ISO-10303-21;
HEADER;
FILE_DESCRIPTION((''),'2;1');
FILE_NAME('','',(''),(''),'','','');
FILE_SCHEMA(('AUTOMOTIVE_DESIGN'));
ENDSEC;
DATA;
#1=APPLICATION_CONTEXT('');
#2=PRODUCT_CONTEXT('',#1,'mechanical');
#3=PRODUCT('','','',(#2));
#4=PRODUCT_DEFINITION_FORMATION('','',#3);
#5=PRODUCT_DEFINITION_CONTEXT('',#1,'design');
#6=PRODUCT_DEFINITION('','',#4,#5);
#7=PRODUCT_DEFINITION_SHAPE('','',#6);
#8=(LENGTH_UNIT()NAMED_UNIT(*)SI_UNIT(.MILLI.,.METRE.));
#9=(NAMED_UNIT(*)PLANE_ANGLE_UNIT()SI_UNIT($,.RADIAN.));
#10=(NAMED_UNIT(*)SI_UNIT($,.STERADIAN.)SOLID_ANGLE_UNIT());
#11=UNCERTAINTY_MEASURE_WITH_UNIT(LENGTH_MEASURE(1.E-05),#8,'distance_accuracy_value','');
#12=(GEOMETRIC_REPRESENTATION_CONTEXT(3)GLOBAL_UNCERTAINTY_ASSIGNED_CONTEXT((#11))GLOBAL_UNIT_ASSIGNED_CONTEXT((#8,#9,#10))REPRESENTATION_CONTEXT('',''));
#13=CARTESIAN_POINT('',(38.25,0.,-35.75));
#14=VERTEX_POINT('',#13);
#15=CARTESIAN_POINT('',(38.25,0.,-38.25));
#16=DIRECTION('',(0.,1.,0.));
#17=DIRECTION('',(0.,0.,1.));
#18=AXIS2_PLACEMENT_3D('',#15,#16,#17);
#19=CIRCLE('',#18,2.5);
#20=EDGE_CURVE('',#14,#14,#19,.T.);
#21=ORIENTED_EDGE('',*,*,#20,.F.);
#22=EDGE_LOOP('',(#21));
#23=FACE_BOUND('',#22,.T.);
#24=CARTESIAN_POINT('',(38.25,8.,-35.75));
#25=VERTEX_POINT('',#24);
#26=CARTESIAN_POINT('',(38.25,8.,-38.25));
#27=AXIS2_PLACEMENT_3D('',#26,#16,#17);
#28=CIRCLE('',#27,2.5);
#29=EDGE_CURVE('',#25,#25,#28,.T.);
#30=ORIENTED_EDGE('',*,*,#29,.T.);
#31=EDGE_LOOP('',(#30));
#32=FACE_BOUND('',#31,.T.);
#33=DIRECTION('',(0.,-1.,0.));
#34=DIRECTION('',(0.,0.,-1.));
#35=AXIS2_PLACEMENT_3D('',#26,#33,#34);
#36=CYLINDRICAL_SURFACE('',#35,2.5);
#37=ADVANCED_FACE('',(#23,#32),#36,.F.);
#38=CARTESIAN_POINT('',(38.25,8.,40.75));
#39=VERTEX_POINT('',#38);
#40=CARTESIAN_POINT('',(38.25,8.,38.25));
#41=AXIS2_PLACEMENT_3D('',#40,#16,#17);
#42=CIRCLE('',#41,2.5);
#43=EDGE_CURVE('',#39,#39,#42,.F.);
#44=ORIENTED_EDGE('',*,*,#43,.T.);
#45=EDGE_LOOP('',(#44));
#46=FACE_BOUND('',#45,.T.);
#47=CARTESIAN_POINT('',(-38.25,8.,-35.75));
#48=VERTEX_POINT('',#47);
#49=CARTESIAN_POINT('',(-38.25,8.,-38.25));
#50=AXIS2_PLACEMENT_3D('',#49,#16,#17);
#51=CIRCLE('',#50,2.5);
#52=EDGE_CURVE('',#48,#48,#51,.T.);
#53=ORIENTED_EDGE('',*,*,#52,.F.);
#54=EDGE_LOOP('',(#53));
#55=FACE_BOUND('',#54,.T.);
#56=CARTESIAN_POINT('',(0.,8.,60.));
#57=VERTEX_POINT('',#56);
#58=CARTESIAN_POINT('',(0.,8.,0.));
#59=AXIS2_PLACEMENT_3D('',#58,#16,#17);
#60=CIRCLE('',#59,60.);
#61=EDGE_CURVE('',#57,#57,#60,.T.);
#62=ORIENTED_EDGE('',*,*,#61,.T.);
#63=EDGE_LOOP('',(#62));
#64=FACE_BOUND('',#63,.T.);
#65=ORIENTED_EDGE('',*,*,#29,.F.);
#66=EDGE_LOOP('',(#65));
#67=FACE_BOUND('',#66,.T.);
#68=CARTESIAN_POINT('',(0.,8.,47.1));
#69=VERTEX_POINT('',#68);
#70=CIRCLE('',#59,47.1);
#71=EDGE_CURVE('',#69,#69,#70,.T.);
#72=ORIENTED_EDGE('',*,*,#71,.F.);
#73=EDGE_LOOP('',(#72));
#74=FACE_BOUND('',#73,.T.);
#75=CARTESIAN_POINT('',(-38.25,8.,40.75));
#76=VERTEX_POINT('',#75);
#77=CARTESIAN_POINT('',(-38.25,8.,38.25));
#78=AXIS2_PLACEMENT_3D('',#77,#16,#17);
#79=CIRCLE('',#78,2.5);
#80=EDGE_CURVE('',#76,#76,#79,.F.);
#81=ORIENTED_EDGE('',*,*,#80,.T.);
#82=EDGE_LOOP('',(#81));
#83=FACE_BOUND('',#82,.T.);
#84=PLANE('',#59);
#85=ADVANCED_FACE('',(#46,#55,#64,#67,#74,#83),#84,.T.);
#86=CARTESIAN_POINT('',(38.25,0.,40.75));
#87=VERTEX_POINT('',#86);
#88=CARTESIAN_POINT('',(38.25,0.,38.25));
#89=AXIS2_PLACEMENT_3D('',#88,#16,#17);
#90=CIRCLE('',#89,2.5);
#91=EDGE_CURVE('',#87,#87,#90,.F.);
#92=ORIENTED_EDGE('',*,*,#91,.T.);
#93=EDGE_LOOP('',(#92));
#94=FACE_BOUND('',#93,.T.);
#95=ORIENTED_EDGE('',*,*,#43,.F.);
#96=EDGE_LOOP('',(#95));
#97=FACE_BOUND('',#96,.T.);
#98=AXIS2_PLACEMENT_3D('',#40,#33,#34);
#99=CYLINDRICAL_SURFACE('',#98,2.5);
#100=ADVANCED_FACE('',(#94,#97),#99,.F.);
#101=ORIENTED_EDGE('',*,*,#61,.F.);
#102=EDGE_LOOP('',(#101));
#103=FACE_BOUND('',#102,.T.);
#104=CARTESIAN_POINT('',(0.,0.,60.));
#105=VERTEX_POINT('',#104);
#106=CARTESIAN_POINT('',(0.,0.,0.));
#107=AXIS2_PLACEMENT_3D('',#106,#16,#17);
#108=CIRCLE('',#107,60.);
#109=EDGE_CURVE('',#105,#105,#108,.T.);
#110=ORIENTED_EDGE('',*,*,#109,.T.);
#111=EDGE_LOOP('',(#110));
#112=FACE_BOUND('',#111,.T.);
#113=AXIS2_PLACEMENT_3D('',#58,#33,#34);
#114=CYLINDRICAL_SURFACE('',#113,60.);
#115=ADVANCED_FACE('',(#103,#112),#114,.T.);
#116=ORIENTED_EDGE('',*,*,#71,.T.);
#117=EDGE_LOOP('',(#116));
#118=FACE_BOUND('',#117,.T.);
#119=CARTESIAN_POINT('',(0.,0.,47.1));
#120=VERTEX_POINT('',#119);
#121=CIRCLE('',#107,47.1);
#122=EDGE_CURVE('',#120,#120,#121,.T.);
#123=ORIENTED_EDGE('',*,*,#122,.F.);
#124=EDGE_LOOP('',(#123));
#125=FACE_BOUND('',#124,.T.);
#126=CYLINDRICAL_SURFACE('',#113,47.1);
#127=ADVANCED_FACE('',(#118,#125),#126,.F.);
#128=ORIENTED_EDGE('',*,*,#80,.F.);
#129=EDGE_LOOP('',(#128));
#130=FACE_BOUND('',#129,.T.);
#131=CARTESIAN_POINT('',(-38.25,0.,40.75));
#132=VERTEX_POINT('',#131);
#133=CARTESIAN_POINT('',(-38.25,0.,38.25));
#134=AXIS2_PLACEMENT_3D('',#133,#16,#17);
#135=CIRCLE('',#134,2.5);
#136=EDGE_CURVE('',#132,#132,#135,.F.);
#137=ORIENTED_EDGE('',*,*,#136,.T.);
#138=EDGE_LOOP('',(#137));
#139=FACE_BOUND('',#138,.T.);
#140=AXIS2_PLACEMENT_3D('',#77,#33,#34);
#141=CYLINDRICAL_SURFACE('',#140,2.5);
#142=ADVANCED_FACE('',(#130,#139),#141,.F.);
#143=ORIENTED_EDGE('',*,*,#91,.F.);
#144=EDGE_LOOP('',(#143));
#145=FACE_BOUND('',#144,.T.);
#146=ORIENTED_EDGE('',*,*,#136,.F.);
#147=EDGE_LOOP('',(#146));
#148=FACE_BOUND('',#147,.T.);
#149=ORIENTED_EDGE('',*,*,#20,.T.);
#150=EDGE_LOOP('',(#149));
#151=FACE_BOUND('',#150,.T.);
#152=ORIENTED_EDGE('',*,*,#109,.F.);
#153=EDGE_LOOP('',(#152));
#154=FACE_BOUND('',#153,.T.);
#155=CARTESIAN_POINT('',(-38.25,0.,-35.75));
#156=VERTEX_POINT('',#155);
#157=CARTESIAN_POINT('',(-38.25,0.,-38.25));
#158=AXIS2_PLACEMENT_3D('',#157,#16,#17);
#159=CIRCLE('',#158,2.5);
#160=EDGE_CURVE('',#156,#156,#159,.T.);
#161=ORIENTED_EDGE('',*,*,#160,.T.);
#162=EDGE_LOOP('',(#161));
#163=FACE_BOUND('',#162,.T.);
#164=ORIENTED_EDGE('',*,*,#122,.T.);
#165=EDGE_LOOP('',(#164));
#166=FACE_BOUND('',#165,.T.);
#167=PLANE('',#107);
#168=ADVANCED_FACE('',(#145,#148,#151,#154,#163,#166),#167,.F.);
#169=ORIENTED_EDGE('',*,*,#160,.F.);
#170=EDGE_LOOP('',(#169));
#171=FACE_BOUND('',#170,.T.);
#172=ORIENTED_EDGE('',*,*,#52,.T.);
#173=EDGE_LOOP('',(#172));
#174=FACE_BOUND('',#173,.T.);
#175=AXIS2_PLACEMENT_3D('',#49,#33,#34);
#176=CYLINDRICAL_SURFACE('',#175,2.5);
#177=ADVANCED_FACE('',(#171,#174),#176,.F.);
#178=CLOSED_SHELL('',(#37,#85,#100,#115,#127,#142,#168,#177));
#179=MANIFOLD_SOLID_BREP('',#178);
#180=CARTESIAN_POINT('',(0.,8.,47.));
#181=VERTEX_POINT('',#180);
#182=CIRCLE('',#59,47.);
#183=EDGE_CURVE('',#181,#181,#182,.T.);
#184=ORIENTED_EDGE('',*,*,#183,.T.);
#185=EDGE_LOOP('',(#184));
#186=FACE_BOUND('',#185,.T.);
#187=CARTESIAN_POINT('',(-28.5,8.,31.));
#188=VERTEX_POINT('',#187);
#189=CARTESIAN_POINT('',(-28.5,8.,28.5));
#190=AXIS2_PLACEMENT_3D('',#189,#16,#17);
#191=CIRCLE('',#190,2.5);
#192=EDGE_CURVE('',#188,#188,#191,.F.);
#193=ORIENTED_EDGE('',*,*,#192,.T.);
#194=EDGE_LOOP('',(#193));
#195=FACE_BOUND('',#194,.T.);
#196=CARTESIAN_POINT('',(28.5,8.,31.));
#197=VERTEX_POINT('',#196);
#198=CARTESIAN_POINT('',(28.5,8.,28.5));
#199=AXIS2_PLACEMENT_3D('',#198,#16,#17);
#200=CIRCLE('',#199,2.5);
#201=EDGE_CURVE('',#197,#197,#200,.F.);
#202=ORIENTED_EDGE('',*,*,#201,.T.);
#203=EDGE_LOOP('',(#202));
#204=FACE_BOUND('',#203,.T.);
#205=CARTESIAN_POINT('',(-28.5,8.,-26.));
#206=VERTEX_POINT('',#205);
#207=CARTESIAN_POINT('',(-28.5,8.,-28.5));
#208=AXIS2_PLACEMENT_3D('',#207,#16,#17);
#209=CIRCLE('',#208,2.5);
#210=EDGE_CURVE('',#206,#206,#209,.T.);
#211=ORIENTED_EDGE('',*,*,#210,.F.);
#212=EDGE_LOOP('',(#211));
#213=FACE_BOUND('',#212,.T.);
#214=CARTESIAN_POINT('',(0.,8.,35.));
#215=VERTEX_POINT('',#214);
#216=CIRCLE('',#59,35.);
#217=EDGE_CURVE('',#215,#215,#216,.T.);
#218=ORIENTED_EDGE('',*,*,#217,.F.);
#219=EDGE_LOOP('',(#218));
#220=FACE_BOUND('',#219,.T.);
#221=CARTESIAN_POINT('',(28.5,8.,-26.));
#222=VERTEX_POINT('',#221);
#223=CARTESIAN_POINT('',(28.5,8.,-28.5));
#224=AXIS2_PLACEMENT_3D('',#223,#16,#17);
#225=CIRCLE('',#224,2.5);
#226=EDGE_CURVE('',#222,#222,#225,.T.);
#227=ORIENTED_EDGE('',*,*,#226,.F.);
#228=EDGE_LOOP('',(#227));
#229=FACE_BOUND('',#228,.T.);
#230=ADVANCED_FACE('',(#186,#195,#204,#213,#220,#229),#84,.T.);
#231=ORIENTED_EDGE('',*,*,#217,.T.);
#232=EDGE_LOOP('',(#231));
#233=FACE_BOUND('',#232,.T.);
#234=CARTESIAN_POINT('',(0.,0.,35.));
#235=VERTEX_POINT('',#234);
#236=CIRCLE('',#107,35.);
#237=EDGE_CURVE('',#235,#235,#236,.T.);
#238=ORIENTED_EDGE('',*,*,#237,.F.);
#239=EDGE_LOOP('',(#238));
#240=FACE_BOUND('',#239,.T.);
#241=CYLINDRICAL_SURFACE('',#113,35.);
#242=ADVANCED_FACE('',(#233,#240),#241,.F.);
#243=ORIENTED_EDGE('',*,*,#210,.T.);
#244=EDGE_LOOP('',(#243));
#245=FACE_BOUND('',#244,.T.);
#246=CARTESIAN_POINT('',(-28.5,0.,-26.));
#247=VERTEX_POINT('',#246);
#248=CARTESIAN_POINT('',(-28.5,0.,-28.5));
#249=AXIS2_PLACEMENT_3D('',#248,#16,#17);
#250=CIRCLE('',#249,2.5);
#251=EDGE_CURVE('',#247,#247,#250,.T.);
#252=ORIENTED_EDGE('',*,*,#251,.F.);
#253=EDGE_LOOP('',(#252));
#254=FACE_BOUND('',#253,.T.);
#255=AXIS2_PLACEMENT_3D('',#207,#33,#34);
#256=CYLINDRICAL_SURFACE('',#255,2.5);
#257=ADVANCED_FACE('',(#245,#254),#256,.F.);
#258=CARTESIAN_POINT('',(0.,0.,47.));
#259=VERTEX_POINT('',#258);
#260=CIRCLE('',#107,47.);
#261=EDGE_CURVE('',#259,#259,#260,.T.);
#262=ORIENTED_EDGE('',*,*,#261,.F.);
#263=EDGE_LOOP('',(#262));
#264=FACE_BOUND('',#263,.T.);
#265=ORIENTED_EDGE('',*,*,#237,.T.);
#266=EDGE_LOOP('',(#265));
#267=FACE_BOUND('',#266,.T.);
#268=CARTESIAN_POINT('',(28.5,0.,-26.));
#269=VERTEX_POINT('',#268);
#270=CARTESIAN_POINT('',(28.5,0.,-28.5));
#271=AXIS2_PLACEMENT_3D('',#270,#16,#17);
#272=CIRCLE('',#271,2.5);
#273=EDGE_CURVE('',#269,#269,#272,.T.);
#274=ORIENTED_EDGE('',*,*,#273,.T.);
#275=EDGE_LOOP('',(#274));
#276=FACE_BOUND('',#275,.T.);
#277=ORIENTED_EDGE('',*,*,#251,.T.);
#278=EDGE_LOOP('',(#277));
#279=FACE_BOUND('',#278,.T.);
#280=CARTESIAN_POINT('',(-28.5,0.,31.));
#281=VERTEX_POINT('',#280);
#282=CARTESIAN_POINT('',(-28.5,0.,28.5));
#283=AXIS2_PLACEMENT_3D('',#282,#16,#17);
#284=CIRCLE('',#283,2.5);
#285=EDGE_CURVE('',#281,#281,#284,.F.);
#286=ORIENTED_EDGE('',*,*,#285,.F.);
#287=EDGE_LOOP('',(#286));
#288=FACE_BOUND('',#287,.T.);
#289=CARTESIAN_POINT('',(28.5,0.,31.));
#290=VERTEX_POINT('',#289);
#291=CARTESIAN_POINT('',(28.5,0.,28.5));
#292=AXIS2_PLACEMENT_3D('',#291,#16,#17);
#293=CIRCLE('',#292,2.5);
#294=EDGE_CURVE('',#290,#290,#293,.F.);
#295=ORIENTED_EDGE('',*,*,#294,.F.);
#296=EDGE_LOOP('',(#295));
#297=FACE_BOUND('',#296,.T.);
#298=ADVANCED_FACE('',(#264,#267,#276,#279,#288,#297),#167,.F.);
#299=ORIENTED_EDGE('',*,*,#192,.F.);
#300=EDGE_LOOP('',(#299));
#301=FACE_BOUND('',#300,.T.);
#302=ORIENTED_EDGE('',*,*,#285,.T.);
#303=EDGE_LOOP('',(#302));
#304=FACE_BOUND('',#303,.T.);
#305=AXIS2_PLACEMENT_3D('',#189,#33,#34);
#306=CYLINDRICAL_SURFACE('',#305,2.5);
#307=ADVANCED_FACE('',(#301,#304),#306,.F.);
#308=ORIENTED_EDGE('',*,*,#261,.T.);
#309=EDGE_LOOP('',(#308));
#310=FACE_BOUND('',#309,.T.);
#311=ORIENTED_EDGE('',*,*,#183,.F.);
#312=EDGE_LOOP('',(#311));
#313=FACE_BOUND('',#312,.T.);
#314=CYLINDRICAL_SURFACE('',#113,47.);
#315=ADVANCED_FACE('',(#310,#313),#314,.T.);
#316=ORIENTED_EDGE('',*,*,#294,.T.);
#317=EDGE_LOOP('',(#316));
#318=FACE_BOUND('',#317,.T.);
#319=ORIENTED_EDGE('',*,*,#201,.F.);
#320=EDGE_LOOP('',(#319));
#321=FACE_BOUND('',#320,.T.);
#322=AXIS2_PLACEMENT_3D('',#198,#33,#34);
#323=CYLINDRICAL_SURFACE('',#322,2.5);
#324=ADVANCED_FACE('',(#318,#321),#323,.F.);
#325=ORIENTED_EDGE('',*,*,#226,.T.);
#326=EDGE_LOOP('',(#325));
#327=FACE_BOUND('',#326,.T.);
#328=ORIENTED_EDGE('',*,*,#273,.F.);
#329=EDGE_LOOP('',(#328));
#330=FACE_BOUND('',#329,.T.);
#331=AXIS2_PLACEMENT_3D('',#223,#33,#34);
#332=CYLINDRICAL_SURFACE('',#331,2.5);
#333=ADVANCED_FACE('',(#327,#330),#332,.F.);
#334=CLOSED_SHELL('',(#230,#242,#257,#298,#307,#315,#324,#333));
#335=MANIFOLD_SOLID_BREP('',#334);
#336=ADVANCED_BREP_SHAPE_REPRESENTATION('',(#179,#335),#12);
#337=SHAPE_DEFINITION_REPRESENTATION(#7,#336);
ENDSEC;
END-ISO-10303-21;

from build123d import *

# Parameters (mm, degrees)
SKETCH1_R           = 47
SKETCH1_R_2         = 2.5
SKETCH1_R_3         = 35
BOSS_EXTRUDE2_DEPTH = 8
SKETCH1_4_R         = 60
SKETCH1_4_R_2       = 2.5
SKETCH1_4_R_3       = 47.1
BOSS_EXTRUDE3_DEPTH = 8


with BuildPart() as part:
    # Sketch1 → Boss-Extrude2 (new body)
    with BuildSketch(Plane(origin=(0, 0, 0), x_dir=(1, 0, 0), z_dir=(0, 1, 0))):
        with Locations(Location((0, 0, 0), (0, 0, 270))):
            Circle(SKETCH1_R)
        with Locations(Location((28.5, -28.5, 0), (0, 0, 270))):
            Circle(SKETCH1_R_2, mode=Mode.SUBTRACT)
        with Locations(Location((-28.5, 28.5, 0), (0, 0, 270))):
            Circle(SKETCH1_R_2, mode=Mode.SUBTRACT)
        with Locations(Location((28.5, 28.5, 0), (0, 0, 270))):
            Circle(SKETCH1_R_2, mode=Mode.SUBTRACT)
        with Locations(Location((0, 0, 0), (0, 0, 270))):
            Circle(SKETCH1_R_3, mode=Mode.SUBTRACT)
        with Locations(Location((-28.5, -28.5, 0), (0, 0, 270))):
            Circle(SKETCH1_R_2, mode=Mode.SUBTRACT)
    extrude(amount=BOSS_EXTRUDE2_DEPTH)


with BuildPart() as body_2:
    # Sketch1<4> → Boss-Extrude3 (new body)
    with BuildSketch(Plane(origin=(0, 0, 0), x_dir=(1, 0, 0), z_dir=(0, 1, 0))):
        with Locations(Location((0, 0, 0), (0, 0, 270))):
            Circle(SKETCH1_4_R)
        with Locations(Location((-38.25, 38.25, 0), (0, 0, 270))):
            Circle(SKETCH1_4_R_2, mode=Mode.SUBTRACT)
        with Locations(Location((38.25, 38.25, 0), (0, 0, 270))):
            Circle(SKETCH1_4_R_2, mode=Mode.SUBTRACT)
        with Locations(Location((38.25, -38.25, 0), (0, 0, 270))):
            Circle(SKETCH1_4_R_2, mode=Mode.SUBTRACT)
        with Locations(Location((-38.25, -38.25, 0), (0, 0, 270))):
            Circle(SKETCH1_4_R_2, mode=Mode.SUBTRACT)
        with Locations(Location((0, 0, 0), (0, 0, 270))):
            Circle(SKETCH1_4_R_3, mode=Mode.SUBTRACT)
    extrude(amount=BOSS_EXTRUDE3_DEPTH)


solid = Compound([part.part, body_2.part])
